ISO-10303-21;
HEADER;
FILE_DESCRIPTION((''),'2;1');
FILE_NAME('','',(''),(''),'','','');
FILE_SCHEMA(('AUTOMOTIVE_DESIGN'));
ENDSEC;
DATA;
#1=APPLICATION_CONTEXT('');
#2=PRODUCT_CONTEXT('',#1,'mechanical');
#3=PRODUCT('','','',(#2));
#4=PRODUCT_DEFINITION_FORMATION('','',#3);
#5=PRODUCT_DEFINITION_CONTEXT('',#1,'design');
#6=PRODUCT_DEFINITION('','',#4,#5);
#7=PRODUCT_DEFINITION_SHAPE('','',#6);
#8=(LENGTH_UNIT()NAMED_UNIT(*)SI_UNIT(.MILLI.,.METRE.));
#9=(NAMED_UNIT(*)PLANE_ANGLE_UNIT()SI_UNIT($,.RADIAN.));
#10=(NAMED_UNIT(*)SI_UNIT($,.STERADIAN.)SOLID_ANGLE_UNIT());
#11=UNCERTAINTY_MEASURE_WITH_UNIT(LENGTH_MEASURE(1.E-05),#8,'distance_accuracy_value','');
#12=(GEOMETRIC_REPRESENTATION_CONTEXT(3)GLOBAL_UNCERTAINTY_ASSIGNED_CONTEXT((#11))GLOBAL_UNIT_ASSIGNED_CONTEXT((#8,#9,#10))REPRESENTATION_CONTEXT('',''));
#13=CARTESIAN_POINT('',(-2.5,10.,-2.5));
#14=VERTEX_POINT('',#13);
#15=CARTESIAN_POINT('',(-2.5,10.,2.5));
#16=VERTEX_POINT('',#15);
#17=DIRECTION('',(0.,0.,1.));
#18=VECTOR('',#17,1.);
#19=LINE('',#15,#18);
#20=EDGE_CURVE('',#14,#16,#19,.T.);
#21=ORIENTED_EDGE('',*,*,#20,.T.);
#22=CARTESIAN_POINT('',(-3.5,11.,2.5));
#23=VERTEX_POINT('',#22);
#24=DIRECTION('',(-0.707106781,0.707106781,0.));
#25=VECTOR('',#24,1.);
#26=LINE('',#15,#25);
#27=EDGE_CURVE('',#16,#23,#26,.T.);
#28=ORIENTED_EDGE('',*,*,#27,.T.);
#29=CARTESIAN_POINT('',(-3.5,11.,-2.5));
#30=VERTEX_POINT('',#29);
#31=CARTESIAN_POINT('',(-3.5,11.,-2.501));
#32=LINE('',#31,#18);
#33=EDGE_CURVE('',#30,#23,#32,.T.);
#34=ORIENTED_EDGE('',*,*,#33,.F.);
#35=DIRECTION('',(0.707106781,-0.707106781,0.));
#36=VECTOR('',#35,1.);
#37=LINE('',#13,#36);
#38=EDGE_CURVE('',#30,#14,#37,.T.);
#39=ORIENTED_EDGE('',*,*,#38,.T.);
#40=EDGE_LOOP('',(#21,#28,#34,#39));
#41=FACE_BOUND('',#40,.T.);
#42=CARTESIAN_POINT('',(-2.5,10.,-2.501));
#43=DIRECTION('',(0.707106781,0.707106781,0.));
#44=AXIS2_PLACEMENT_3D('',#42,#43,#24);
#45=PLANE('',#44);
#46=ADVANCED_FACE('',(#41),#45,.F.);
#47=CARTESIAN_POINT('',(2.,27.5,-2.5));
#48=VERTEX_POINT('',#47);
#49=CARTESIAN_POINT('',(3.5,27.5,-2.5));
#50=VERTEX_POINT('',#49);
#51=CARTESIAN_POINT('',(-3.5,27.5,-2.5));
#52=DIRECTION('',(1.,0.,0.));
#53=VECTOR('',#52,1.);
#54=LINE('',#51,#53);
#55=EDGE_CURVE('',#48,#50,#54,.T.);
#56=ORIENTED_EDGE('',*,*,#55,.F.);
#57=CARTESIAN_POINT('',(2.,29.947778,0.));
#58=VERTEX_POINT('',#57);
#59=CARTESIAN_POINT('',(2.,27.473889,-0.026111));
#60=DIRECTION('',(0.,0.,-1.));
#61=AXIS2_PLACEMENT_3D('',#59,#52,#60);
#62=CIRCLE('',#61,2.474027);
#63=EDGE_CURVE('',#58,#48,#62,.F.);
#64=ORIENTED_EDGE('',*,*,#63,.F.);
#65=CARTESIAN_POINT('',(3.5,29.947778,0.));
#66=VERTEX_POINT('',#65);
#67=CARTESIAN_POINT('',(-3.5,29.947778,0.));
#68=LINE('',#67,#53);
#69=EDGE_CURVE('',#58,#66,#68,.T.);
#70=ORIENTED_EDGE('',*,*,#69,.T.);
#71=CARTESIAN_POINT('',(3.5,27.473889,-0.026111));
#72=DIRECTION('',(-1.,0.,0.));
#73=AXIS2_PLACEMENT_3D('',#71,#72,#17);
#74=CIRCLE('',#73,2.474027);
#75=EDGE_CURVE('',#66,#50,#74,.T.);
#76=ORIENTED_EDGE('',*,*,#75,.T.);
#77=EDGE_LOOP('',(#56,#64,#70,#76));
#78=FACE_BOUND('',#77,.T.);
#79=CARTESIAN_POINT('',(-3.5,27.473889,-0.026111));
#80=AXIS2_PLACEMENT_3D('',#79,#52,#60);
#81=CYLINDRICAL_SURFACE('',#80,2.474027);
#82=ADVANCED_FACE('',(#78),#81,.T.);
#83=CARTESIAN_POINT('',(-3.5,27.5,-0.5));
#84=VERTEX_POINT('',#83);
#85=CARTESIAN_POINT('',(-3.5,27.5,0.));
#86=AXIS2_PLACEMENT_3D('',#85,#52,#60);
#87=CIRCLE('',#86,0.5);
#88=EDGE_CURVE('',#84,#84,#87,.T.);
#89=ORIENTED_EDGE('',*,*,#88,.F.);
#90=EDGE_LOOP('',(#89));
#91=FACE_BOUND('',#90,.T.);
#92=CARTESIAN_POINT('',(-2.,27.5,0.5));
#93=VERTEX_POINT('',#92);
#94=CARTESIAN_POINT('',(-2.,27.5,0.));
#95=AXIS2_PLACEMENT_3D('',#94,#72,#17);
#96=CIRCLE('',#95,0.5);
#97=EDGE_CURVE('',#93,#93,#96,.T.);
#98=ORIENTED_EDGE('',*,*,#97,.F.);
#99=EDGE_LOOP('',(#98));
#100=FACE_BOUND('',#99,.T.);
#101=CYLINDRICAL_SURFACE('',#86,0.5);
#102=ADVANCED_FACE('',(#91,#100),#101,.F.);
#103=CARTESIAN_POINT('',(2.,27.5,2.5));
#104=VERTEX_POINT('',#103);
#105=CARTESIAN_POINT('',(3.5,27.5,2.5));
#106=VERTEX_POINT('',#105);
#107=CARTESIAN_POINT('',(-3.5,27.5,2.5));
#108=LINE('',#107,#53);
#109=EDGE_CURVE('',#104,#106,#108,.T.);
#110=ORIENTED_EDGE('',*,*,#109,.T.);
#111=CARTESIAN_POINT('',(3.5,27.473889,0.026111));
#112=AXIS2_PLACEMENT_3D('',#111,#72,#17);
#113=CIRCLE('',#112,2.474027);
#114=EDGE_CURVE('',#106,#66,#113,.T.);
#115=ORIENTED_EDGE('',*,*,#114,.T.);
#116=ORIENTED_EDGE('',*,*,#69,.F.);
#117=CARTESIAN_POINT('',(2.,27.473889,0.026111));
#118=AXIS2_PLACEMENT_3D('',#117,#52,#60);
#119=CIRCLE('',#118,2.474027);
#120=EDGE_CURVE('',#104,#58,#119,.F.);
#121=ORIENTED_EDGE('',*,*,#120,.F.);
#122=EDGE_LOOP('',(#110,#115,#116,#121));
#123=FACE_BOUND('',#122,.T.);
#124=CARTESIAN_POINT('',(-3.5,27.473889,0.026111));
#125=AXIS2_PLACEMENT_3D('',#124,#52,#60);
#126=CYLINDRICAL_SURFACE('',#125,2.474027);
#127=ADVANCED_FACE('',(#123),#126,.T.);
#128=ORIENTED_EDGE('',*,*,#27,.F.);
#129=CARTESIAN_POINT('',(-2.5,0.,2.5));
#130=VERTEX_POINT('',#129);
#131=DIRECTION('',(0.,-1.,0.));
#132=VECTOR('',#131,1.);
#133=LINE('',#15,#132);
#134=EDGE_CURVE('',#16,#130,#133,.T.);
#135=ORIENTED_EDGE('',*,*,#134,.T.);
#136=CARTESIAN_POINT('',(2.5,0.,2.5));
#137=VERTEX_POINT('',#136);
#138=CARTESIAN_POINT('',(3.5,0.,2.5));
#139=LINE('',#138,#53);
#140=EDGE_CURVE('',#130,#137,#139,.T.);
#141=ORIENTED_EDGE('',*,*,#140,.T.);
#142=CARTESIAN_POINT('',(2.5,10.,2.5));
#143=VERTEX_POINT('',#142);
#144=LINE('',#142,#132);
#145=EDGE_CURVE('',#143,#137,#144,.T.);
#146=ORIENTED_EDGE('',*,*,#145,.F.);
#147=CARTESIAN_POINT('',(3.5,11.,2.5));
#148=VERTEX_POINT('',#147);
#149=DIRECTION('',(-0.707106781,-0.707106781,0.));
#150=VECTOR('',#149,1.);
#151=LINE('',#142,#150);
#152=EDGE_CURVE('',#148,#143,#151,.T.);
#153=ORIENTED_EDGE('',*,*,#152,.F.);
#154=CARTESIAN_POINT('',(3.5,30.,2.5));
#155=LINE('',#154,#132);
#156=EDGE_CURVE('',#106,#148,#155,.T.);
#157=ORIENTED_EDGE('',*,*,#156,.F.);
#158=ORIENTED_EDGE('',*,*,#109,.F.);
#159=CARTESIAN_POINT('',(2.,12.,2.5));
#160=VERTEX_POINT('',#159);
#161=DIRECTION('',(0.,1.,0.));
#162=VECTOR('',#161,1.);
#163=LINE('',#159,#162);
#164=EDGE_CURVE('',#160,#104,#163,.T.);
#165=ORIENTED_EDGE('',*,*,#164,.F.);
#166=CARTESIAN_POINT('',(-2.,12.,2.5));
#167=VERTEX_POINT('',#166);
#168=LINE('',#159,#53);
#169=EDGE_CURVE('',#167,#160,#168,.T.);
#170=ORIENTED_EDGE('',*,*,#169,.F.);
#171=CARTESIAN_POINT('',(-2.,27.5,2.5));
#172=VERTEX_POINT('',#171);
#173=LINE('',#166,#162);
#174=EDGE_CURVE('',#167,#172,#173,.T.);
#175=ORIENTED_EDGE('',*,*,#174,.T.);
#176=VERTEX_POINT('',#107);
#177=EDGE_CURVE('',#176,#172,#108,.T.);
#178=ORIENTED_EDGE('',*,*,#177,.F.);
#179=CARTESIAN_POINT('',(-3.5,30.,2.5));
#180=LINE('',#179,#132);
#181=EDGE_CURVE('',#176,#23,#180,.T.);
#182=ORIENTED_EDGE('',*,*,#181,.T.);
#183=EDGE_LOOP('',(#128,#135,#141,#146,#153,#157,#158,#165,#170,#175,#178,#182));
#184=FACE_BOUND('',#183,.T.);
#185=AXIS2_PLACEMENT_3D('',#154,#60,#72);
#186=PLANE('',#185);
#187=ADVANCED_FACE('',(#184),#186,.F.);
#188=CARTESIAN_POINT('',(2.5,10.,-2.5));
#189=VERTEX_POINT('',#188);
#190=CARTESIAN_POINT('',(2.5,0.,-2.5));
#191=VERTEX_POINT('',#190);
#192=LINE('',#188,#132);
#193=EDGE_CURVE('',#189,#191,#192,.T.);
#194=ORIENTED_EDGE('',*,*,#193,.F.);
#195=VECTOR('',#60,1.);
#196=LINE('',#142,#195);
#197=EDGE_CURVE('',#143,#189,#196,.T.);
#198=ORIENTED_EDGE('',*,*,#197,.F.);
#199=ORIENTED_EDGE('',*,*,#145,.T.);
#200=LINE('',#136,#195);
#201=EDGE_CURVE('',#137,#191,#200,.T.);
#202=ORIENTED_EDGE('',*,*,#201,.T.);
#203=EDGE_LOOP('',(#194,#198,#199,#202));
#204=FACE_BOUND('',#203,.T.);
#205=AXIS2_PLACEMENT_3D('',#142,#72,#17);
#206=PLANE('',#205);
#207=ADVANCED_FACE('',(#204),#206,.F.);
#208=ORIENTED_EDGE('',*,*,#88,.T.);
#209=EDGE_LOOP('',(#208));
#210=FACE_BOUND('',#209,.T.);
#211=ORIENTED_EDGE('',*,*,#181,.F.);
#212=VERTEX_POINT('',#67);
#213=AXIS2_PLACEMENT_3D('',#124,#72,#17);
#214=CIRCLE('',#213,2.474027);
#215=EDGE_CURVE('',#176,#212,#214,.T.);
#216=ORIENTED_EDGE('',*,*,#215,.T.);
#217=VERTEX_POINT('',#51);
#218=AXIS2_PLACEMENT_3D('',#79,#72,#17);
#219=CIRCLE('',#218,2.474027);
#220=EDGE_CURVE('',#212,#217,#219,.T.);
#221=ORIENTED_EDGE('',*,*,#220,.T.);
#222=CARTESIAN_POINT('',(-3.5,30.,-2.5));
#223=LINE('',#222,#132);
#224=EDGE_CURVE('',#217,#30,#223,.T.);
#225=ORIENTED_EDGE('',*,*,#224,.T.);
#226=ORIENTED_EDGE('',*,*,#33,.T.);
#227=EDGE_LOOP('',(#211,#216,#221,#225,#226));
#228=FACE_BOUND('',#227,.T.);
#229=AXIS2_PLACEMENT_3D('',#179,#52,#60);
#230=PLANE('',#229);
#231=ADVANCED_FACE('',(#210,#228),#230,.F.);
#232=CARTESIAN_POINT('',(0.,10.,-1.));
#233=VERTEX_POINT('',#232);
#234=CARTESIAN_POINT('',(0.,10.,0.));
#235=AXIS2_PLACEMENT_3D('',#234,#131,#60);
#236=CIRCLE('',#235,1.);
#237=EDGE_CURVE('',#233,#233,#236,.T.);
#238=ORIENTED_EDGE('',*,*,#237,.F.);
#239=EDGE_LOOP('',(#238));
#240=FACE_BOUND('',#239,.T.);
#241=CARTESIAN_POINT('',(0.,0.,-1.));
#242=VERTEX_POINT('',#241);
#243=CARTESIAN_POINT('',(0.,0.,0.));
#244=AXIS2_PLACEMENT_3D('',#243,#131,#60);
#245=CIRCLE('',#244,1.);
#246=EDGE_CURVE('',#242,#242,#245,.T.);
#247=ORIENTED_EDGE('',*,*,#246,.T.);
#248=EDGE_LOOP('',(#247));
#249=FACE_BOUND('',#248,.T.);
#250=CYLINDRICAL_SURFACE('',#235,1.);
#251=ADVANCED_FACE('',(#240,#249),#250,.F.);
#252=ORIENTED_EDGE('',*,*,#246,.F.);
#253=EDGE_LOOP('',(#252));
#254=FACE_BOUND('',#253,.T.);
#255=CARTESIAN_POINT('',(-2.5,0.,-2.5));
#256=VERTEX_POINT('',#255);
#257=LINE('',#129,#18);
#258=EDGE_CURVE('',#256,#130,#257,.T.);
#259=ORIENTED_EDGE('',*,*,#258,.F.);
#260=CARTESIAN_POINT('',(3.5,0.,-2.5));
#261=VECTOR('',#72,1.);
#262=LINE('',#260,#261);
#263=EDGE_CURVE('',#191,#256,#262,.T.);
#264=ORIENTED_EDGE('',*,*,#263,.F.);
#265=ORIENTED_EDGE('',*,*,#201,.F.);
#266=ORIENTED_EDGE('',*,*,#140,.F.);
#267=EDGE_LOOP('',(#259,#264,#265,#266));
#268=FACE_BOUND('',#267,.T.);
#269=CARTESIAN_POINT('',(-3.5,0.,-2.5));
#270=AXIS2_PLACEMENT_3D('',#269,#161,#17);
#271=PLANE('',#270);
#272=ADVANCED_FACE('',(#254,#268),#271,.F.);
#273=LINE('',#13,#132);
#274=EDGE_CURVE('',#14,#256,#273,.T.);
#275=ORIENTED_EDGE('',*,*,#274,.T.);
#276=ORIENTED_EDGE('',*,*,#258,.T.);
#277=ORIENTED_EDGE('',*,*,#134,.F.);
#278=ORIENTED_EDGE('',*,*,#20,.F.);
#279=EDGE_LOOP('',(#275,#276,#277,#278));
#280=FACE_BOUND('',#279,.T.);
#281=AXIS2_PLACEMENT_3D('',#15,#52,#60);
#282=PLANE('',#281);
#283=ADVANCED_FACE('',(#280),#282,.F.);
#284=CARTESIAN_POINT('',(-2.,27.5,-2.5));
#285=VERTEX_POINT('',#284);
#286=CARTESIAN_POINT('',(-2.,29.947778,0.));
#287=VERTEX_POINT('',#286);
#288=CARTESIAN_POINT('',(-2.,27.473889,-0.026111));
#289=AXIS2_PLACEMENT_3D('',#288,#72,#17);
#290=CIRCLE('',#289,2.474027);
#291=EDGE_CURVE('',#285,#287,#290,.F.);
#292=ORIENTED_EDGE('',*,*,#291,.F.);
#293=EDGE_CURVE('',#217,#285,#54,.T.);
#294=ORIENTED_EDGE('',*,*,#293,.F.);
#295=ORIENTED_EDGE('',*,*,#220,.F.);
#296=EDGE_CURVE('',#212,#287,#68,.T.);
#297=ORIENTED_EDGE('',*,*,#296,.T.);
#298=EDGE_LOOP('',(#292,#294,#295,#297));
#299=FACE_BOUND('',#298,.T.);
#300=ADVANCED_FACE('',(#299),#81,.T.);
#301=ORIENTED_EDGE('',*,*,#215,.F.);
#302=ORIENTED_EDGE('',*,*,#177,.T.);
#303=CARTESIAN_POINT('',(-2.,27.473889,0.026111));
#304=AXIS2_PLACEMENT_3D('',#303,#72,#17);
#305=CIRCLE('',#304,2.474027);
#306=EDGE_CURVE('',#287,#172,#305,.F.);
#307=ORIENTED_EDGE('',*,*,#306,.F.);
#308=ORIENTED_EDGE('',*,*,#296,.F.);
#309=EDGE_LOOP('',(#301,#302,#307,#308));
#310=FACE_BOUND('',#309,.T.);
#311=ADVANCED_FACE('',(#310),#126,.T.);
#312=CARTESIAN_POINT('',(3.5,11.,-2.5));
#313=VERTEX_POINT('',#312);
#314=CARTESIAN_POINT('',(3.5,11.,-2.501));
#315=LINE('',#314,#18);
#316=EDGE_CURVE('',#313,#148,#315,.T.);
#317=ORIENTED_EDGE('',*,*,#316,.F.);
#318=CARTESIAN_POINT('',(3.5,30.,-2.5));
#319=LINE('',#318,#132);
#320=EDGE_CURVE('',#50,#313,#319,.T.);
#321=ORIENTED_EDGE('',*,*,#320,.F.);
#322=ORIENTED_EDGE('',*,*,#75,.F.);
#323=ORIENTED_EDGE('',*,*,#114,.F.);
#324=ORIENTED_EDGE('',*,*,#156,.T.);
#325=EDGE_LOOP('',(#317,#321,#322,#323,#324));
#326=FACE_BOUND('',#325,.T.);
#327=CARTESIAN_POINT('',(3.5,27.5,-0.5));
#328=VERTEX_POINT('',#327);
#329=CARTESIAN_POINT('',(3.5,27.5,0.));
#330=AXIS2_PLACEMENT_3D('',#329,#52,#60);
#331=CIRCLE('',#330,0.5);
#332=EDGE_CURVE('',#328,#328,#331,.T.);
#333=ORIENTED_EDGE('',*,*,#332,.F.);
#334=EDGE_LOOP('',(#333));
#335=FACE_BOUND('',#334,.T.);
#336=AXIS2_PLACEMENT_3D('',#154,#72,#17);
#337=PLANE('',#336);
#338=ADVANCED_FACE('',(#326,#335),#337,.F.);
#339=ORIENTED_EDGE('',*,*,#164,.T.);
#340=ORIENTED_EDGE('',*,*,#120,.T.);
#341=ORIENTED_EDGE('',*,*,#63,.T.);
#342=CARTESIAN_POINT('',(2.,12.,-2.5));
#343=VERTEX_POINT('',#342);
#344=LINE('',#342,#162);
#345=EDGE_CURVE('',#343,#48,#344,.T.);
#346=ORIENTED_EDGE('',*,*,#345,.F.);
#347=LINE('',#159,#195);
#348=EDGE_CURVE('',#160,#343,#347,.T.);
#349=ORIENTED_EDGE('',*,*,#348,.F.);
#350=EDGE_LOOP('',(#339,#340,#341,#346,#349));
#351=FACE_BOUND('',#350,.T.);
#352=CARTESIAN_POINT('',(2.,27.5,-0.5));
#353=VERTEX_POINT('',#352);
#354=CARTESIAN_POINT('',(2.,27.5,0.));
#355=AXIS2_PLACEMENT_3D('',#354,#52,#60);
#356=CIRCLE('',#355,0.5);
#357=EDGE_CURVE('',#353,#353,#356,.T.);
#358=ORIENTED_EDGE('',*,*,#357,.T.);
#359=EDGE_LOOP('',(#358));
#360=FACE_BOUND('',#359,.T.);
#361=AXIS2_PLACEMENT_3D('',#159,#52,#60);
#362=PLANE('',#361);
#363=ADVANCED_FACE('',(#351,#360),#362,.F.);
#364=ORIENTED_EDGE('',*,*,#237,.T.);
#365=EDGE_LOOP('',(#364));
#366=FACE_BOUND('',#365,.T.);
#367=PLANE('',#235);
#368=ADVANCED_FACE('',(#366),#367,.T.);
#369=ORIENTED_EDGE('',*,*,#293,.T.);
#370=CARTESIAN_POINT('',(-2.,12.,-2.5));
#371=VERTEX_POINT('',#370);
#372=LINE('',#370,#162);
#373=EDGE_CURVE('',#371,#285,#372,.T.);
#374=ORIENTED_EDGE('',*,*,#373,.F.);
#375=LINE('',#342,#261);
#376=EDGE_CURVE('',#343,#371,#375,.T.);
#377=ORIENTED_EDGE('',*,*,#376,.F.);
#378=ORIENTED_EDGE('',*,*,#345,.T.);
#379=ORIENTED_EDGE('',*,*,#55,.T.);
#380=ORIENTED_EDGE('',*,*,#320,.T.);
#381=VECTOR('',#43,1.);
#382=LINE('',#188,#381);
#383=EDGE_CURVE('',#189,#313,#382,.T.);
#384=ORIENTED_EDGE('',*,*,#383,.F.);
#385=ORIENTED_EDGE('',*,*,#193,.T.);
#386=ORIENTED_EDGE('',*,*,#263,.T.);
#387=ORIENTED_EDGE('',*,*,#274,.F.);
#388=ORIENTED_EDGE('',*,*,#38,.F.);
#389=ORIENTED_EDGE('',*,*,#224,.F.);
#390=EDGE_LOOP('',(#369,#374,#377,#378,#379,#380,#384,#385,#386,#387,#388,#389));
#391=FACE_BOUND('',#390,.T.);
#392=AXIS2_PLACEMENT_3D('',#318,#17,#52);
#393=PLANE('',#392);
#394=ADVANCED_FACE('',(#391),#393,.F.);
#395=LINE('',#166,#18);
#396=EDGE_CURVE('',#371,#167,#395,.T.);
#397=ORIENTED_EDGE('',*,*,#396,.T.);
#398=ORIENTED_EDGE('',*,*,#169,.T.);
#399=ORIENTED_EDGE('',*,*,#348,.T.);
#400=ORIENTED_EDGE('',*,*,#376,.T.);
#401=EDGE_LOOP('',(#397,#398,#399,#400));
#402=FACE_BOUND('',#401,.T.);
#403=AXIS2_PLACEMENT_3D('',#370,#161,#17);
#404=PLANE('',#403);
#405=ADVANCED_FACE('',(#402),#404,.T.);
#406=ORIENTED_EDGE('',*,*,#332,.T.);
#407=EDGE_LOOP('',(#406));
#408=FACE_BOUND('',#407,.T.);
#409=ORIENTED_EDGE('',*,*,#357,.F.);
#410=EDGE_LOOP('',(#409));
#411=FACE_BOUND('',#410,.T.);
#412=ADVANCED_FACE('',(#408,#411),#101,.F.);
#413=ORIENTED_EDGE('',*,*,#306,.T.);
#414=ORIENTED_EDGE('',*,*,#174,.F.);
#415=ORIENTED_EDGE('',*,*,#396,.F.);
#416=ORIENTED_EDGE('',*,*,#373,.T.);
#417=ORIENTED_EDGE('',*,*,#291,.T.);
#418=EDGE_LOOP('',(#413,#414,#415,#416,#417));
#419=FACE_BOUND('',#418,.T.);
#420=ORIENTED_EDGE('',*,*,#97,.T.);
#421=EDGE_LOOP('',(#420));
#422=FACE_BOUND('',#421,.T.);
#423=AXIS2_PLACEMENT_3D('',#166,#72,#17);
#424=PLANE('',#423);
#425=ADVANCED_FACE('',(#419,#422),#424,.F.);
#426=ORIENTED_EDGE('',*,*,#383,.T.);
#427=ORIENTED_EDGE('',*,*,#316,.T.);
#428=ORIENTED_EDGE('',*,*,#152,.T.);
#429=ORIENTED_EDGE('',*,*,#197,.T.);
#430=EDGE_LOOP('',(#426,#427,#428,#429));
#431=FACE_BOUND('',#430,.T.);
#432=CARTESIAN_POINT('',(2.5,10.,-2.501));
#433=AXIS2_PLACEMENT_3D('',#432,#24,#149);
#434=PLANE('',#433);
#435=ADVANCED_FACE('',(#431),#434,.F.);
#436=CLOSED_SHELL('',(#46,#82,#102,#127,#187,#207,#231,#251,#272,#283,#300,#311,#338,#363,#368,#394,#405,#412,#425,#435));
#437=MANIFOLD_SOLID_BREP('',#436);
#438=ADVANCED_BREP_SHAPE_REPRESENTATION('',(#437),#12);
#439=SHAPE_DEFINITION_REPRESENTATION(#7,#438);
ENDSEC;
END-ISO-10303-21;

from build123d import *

# Parameters (mm, degrees)
SKETCH1_W           = 7
SKETCH1_H           = 5
BOSS_EXTRUDE1_DEPTH = 30
SKETCH3_W           = 1
SKETCH3_H           = 5
CUT_EXTRUDE1_DEPTH  = 10
SKETCH4_W           = 4
SKETCH4_H           = 5
CUT_EXTRUDE2_DEPTH  = 18
CUT_EXTRUDE3_REACH  = 7
CUT_EXTRUDE5_DEPTH  = 8
SKETCH8_R           = 0.5
CUT_EXTRUDE6_DEPTH  = 8
SKETCH9_R           = 1
CUT_EXTRUDE7_DEPTH  = 10


with BuildPart() as part:
    # Sketch1 → Boss-Extrude1 (new body)
    with BuildSketch(Plane(origin=(0, 0, 0), x_dir=(1, 0, 0), z_dir=(0, 1, 0))):
        Rectangle(SKETCH1_W, SKETCH1_H)
    extrude(amount=BOSS_EXTRUDE1_DEPTH)

    # Sketch3 → Cut-Extrude1 (cut)
    with BuildSketch(Plane.XZ):
        with Locations((-3, 0)):
            Rectangle(SKETCH3_W, SKETCH3_H)
        with Locations((3, 0)):
            Rectangle(SKETCH3_W, SKETCH3_H)
    extrude(amount=-CUT_EXTRUDE1_DEPTH, mode=Mode.SUBTRACT)

    # Sketch4 → Cut-Extrude2 (cut)
    with BuildSketch(Plane(origin=(0, 30, 0), x_dir=(1, 0, 0), z_dir=(0, 1, 0))):
        Rectangle(SKETCH4_W, SKETCH4_H)
    extrude(amount=-CUT_EXTRUDE2_DEPTH, mode=Mode.SUBTRACT)

    # Sketch5 → Cut-Extrude3 (cut, up to next)
    with BuildSketch(Plane.XY.offset(2.5), mode=Mode.PRIVATE) as cut_extrude3_sk1:
        Polygon((-3.5, 10), (-2.5, 10), (-3.5, 11), align=None)
    cut_extrude3_tool1 = extrude(cut_extrude3_sk1.sketch, amount=-CUT_EXTRUDE3_REACH, mode=Mode.PRIVATE) & part.part
    add(cut_extrude3_tool1.solids().sort_by_distance((-3.166667, 10.333333, 2.5))[0], mode=Mode.SUBTRACT)
    # Sketch5 → Cut-Extrude3 (cut, up to next)
    with BuildSketch(Plane.XY.offset(2.5), mode=Mode.PRIVATE) as cut_extrude3_sk2:
        Polygon((3.5, 11), (3.5, 10), (2.5, 10), align=None)
    cut_extrude3_tool2 = extrude(cut_extrude3_sk2.sketch, amount=-CUT_EXTRUDE3_REACH, mode=Mode.PRIVATE) & part.part
    add(cut_extrude3_tool2.solids().sort_by_distance((3.166667, 10.333333, 2.5))[0], mode=Mode.SUBTRACT)

    # Sketch7 → Cut-Extrude5 (cut, through all)
    with BuildSketch(Plane(origin=(3.5, 0, 0), x_dir=(0, 0, -1), z_dir=(1, 0, 0))):
        with BuildLine():
            Line((-2.5, 27.5), (-2.5, 30))
            Line((-2.5, 30), (2.5, 30))
            Line((2.5, 30), (2.5, 27.5))
            ThreePointArc((2.5, 27.5), (1.756951521, 29.241656191), (0, 29.947778476))
            ThreePointArc((0, 29.947778476), (-1.756951521, 29.241656191), (-2.5, 27.5))
        make_face()
    extrude(amount=-CUT_EXTRUDE5_DEPTH, mode=Mode.SUBTRACT)

    # Sketch8 → Cut-Extrude6 (cut, through all)
    with BuildSketch(Plane(origin=(3.5, 0, 0), x_dir=(0, 0, -1), z_dir=(1, 0, 0))):
        with Locations((0, 27.5)):
            Circle(SKETCH8_R)
    extrude(amount=-CUT_EXTRUDE6_DEPTH, mode=Mode.SUBTRACT)

    # Sketch9 → Cut-Extrude7 (cut)
    with BuildSketch(Plane.XZ):
        Circle(SKETCH9_R)
    extrude(amount=-CUT_EXTRUDE7_DEPTH, mode=Mode.SUBTRACT)


solid = part.part
